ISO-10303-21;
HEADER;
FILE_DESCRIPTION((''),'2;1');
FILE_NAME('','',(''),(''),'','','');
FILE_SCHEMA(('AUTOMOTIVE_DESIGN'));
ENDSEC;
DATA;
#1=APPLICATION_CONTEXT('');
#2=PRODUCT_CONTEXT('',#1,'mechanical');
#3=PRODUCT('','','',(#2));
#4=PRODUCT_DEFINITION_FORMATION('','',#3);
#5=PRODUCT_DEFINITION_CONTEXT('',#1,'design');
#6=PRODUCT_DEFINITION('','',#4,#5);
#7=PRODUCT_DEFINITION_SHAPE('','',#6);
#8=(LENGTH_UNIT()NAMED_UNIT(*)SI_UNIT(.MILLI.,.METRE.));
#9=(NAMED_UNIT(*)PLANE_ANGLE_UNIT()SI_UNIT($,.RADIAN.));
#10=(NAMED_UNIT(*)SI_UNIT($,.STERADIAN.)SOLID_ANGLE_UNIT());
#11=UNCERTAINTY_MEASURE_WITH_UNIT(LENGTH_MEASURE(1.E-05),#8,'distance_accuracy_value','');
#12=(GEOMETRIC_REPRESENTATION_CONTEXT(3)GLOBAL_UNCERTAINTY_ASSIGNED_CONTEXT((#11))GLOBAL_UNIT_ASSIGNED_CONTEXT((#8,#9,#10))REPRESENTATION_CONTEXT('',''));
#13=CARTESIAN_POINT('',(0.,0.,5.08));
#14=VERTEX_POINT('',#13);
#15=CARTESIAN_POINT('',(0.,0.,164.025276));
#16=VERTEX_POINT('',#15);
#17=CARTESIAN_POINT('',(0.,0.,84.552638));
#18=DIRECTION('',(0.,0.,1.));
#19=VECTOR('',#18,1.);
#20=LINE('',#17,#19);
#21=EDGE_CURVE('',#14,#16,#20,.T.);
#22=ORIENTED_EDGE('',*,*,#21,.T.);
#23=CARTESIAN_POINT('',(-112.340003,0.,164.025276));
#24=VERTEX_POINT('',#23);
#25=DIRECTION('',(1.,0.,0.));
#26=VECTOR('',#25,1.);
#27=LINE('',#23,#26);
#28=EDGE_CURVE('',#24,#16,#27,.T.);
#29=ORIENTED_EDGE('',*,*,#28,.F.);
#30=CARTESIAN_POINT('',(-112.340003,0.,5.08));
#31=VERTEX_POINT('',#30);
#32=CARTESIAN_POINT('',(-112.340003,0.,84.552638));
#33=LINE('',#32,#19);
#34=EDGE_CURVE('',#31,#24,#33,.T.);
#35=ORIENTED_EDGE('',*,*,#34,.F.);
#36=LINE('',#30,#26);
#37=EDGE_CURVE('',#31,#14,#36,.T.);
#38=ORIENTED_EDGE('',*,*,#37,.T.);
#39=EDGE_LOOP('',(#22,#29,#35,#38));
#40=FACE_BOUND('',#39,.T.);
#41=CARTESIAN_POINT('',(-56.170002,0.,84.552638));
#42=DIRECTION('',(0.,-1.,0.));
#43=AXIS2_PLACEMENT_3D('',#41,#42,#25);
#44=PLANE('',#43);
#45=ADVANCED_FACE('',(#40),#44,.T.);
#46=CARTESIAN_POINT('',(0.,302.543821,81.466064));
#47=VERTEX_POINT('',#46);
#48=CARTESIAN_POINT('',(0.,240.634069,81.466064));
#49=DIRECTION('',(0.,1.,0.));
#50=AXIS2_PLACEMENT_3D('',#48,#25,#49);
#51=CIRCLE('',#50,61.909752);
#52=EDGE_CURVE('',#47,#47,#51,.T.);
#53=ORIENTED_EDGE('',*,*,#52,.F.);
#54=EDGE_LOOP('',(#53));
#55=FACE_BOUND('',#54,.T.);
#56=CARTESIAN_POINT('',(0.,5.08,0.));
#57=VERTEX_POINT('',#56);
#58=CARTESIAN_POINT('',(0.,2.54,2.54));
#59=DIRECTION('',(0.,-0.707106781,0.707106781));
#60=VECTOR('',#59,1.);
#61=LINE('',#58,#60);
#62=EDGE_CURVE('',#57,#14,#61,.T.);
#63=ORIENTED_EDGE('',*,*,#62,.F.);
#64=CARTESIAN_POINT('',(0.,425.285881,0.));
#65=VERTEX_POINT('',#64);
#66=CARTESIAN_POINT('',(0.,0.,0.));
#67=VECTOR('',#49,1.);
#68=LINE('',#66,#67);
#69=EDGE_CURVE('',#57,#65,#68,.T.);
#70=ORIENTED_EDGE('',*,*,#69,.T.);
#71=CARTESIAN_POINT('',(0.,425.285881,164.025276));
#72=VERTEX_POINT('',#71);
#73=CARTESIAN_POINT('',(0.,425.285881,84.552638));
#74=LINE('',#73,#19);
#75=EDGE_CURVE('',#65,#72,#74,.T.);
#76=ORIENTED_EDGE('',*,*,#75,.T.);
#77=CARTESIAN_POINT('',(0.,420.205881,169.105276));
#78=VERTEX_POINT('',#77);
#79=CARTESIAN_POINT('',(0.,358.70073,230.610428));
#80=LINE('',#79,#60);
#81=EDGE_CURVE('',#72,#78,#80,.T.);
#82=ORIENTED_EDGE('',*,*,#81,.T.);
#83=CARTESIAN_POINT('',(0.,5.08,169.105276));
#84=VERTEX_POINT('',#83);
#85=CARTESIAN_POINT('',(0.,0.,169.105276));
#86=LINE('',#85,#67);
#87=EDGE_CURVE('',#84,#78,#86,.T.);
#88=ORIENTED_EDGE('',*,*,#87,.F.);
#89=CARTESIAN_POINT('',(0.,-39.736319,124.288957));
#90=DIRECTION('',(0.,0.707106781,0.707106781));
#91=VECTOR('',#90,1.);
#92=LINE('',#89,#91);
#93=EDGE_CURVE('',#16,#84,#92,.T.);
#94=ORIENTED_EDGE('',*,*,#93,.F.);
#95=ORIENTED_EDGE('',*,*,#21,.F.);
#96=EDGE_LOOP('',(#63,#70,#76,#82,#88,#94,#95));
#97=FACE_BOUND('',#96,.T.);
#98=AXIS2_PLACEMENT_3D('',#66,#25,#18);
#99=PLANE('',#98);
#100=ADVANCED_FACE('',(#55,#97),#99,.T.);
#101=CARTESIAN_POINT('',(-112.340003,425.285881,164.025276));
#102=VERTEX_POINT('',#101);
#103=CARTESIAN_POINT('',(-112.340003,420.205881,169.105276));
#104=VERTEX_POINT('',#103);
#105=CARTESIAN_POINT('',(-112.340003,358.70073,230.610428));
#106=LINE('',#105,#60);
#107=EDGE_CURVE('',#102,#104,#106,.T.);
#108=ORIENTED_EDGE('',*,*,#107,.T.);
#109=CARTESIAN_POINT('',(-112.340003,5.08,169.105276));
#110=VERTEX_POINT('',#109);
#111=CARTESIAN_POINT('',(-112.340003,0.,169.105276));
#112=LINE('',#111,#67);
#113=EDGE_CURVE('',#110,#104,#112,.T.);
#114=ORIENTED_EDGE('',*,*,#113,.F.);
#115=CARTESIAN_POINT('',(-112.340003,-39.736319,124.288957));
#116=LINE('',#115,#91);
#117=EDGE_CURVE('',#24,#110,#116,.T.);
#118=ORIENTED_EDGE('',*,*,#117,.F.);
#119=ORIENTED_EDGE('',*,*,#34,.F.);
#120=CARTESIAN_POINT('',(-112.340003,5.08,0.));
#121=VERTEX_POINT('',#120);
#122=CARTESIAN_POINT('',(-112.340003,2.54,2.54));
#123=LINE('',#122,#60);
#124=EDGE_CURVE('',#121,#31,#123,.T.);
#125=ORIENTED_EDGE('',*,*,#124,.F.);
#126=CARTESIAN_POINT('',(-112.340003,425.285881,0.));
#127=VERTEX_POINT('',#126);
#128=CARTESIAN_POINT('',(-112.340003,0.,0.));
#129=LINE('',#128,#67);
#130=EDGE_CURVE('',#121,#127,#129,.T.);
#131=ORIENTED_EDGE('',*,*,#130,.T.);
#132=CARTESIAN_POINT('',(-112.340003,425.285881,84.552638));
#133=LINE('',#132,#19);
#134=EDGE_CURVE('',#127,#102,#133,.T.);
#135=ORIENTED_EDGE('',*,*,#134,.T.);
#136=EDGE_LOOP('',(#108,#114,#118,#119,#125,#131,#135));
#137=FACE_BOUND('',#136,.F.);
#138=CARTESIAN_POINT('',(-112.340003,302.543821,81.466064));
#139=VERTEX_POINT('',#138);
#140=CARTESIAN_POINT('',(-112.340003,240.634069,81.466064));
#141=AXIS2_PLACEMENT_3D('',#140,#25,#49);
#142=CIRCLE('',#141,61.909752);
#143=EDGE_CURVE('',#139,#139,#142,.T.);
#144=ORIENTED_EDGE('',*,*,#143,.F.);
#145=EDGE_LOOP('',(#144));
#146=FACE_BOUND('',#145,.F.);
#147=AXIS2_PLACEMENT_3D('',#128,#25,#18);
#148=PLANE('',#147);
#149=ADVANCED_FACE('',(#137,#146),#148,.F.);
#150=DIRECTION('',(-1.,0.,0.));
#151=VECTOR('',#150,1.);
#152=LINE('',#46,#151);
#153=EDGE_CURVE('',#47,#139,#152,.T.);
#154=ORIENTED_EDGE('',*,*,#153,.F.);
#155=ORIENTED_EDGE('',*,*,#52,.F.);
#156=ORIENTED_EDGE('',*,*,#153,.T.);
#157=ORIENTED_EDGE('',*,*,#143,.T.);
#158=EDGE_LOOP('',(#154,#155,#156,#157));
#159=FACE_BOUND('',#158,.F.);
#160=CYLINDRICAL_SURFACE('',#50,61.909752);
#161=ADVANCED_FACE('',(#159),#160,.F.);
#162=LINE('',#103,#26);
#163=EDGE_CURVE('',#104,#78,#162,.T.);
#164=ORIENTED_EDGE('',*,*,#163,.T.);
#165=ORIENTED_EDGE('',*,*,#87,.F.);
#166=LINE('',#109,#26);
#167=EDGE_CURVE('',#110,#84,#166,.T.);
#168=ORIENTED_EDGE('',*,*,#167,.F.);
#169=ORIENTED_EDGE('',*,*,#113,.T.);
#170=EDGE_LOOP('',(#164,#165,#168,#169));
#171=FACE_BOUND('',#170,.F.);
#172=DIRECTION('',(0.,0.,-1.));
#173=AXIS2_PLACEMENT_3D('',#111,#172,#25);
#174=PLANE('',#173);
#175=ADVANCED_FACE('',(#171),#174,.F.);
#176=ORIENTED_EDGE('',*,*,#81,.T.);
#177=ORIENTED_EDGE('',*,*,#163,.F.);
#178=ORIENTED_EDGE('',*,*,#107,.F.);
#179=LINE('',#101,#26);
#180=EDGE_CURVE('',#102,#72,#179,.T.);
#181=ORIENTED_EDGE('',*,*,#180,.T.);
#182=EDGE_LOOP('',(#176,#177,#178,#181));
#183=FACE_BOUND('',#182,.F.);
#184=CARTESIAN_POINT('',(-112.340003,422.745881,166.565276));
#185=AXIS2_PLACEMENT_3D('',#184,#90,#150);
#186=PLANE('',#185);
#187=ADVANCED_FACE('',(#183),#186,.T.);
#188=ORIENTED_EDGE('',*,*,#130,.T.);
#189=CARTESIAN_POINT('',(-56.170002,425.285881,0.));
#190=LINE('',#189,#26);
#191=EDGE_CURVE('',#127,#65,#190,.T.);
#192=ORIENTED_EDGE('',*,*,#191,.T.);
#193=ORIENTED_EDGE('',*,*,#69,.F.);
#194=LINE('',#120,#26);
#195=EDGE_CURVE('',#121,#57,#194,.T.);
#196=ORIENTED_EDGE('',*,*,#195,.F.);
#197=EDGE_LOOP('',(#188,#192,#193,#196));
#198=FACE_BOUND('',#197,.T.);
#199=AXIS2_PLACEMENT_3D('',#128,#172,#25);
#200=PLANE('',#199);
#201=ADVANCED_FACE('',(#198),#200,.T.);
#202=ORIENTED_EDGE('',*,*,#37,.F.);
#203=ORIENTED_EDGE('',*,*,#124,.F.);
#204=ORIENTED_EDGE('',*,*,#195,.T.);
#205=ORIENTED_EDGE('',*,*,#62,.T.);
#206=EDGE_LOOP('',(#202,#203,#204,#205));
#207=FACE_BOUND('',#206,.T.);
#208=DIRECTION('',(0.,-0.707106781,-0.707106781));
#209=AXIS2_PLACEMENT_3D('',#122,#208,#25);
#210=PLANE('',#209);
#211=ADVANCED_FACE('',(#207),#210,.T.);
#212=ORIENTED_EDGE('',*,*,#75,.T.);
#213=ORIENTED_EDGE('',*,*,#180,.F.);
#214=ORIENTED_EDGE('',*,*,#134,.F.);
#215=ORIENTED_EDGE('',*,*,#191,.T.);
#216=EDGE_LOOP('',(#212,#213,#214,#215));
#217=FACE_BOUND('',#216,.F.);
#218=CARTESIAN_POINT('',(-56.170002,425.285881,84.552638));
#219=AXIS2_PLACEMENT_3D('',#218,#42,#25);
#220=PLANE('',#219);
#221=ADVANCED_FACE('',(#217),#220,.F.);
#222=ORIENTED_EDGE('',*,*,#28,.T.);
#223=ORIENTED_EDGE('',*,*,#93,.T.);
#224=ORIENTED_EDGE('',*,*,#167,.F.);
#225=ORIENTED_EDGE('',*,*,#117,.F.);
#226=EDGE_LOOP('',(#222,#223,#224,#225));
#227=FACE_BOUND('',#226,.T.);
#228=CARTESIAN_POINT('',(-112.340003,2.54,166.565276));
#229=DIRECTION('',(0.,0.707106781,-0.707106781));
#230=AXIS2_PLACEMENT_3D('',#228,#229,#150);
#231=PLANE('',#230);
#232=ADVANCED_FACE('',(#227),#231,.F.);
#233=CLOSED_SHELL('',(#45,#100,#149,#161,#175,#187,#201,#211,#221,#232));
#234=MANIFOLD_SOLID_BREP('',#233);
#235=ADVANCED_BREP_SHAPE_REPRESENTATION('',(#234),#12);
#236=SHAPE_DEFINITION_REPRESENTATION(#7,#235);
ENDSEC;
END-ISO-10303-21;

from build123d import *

# Parameters (mm, degrees)
F0_W     = 112.340003252
F0_H     = 169.1052764654
F2_DEPTH = 425.2858813852
F3_R     = 61.9097520686
F4_DEPTH = 148.8002743572
F5_SIZE  = 5.08


with BuildPart() as f2:
    # F0 (on Front) → F2 (new body)
    with BuildSketch(Plane.XZ):
        with Locations((-56.170001626, 84.5526382327)):
            Rectangle(F0_W, F0_H)
    extrude(amount=-F2_DEPTH)

    # F3 (on face) → F4 (cut)
    with BuildSketch(Plane.YZ):
        with Locations((240.6340688467, 81.4660638571)):
            Circle(F3_R)
    extrude(amount=-F4_DEPTH, mode=Mode.SUBTRACT)

    # F5
    f5_edges = [f2.edges().sort_by_distance(p)[0] for p in [
        (-56.170002, 425.285881, 169.105276),
        (-56.170002, 0, 169.105276),
        (-56.170002, 0, 0),
    ]]
    chamfer(f5_edges, length=F5_SIZE)


solid = f2.part
